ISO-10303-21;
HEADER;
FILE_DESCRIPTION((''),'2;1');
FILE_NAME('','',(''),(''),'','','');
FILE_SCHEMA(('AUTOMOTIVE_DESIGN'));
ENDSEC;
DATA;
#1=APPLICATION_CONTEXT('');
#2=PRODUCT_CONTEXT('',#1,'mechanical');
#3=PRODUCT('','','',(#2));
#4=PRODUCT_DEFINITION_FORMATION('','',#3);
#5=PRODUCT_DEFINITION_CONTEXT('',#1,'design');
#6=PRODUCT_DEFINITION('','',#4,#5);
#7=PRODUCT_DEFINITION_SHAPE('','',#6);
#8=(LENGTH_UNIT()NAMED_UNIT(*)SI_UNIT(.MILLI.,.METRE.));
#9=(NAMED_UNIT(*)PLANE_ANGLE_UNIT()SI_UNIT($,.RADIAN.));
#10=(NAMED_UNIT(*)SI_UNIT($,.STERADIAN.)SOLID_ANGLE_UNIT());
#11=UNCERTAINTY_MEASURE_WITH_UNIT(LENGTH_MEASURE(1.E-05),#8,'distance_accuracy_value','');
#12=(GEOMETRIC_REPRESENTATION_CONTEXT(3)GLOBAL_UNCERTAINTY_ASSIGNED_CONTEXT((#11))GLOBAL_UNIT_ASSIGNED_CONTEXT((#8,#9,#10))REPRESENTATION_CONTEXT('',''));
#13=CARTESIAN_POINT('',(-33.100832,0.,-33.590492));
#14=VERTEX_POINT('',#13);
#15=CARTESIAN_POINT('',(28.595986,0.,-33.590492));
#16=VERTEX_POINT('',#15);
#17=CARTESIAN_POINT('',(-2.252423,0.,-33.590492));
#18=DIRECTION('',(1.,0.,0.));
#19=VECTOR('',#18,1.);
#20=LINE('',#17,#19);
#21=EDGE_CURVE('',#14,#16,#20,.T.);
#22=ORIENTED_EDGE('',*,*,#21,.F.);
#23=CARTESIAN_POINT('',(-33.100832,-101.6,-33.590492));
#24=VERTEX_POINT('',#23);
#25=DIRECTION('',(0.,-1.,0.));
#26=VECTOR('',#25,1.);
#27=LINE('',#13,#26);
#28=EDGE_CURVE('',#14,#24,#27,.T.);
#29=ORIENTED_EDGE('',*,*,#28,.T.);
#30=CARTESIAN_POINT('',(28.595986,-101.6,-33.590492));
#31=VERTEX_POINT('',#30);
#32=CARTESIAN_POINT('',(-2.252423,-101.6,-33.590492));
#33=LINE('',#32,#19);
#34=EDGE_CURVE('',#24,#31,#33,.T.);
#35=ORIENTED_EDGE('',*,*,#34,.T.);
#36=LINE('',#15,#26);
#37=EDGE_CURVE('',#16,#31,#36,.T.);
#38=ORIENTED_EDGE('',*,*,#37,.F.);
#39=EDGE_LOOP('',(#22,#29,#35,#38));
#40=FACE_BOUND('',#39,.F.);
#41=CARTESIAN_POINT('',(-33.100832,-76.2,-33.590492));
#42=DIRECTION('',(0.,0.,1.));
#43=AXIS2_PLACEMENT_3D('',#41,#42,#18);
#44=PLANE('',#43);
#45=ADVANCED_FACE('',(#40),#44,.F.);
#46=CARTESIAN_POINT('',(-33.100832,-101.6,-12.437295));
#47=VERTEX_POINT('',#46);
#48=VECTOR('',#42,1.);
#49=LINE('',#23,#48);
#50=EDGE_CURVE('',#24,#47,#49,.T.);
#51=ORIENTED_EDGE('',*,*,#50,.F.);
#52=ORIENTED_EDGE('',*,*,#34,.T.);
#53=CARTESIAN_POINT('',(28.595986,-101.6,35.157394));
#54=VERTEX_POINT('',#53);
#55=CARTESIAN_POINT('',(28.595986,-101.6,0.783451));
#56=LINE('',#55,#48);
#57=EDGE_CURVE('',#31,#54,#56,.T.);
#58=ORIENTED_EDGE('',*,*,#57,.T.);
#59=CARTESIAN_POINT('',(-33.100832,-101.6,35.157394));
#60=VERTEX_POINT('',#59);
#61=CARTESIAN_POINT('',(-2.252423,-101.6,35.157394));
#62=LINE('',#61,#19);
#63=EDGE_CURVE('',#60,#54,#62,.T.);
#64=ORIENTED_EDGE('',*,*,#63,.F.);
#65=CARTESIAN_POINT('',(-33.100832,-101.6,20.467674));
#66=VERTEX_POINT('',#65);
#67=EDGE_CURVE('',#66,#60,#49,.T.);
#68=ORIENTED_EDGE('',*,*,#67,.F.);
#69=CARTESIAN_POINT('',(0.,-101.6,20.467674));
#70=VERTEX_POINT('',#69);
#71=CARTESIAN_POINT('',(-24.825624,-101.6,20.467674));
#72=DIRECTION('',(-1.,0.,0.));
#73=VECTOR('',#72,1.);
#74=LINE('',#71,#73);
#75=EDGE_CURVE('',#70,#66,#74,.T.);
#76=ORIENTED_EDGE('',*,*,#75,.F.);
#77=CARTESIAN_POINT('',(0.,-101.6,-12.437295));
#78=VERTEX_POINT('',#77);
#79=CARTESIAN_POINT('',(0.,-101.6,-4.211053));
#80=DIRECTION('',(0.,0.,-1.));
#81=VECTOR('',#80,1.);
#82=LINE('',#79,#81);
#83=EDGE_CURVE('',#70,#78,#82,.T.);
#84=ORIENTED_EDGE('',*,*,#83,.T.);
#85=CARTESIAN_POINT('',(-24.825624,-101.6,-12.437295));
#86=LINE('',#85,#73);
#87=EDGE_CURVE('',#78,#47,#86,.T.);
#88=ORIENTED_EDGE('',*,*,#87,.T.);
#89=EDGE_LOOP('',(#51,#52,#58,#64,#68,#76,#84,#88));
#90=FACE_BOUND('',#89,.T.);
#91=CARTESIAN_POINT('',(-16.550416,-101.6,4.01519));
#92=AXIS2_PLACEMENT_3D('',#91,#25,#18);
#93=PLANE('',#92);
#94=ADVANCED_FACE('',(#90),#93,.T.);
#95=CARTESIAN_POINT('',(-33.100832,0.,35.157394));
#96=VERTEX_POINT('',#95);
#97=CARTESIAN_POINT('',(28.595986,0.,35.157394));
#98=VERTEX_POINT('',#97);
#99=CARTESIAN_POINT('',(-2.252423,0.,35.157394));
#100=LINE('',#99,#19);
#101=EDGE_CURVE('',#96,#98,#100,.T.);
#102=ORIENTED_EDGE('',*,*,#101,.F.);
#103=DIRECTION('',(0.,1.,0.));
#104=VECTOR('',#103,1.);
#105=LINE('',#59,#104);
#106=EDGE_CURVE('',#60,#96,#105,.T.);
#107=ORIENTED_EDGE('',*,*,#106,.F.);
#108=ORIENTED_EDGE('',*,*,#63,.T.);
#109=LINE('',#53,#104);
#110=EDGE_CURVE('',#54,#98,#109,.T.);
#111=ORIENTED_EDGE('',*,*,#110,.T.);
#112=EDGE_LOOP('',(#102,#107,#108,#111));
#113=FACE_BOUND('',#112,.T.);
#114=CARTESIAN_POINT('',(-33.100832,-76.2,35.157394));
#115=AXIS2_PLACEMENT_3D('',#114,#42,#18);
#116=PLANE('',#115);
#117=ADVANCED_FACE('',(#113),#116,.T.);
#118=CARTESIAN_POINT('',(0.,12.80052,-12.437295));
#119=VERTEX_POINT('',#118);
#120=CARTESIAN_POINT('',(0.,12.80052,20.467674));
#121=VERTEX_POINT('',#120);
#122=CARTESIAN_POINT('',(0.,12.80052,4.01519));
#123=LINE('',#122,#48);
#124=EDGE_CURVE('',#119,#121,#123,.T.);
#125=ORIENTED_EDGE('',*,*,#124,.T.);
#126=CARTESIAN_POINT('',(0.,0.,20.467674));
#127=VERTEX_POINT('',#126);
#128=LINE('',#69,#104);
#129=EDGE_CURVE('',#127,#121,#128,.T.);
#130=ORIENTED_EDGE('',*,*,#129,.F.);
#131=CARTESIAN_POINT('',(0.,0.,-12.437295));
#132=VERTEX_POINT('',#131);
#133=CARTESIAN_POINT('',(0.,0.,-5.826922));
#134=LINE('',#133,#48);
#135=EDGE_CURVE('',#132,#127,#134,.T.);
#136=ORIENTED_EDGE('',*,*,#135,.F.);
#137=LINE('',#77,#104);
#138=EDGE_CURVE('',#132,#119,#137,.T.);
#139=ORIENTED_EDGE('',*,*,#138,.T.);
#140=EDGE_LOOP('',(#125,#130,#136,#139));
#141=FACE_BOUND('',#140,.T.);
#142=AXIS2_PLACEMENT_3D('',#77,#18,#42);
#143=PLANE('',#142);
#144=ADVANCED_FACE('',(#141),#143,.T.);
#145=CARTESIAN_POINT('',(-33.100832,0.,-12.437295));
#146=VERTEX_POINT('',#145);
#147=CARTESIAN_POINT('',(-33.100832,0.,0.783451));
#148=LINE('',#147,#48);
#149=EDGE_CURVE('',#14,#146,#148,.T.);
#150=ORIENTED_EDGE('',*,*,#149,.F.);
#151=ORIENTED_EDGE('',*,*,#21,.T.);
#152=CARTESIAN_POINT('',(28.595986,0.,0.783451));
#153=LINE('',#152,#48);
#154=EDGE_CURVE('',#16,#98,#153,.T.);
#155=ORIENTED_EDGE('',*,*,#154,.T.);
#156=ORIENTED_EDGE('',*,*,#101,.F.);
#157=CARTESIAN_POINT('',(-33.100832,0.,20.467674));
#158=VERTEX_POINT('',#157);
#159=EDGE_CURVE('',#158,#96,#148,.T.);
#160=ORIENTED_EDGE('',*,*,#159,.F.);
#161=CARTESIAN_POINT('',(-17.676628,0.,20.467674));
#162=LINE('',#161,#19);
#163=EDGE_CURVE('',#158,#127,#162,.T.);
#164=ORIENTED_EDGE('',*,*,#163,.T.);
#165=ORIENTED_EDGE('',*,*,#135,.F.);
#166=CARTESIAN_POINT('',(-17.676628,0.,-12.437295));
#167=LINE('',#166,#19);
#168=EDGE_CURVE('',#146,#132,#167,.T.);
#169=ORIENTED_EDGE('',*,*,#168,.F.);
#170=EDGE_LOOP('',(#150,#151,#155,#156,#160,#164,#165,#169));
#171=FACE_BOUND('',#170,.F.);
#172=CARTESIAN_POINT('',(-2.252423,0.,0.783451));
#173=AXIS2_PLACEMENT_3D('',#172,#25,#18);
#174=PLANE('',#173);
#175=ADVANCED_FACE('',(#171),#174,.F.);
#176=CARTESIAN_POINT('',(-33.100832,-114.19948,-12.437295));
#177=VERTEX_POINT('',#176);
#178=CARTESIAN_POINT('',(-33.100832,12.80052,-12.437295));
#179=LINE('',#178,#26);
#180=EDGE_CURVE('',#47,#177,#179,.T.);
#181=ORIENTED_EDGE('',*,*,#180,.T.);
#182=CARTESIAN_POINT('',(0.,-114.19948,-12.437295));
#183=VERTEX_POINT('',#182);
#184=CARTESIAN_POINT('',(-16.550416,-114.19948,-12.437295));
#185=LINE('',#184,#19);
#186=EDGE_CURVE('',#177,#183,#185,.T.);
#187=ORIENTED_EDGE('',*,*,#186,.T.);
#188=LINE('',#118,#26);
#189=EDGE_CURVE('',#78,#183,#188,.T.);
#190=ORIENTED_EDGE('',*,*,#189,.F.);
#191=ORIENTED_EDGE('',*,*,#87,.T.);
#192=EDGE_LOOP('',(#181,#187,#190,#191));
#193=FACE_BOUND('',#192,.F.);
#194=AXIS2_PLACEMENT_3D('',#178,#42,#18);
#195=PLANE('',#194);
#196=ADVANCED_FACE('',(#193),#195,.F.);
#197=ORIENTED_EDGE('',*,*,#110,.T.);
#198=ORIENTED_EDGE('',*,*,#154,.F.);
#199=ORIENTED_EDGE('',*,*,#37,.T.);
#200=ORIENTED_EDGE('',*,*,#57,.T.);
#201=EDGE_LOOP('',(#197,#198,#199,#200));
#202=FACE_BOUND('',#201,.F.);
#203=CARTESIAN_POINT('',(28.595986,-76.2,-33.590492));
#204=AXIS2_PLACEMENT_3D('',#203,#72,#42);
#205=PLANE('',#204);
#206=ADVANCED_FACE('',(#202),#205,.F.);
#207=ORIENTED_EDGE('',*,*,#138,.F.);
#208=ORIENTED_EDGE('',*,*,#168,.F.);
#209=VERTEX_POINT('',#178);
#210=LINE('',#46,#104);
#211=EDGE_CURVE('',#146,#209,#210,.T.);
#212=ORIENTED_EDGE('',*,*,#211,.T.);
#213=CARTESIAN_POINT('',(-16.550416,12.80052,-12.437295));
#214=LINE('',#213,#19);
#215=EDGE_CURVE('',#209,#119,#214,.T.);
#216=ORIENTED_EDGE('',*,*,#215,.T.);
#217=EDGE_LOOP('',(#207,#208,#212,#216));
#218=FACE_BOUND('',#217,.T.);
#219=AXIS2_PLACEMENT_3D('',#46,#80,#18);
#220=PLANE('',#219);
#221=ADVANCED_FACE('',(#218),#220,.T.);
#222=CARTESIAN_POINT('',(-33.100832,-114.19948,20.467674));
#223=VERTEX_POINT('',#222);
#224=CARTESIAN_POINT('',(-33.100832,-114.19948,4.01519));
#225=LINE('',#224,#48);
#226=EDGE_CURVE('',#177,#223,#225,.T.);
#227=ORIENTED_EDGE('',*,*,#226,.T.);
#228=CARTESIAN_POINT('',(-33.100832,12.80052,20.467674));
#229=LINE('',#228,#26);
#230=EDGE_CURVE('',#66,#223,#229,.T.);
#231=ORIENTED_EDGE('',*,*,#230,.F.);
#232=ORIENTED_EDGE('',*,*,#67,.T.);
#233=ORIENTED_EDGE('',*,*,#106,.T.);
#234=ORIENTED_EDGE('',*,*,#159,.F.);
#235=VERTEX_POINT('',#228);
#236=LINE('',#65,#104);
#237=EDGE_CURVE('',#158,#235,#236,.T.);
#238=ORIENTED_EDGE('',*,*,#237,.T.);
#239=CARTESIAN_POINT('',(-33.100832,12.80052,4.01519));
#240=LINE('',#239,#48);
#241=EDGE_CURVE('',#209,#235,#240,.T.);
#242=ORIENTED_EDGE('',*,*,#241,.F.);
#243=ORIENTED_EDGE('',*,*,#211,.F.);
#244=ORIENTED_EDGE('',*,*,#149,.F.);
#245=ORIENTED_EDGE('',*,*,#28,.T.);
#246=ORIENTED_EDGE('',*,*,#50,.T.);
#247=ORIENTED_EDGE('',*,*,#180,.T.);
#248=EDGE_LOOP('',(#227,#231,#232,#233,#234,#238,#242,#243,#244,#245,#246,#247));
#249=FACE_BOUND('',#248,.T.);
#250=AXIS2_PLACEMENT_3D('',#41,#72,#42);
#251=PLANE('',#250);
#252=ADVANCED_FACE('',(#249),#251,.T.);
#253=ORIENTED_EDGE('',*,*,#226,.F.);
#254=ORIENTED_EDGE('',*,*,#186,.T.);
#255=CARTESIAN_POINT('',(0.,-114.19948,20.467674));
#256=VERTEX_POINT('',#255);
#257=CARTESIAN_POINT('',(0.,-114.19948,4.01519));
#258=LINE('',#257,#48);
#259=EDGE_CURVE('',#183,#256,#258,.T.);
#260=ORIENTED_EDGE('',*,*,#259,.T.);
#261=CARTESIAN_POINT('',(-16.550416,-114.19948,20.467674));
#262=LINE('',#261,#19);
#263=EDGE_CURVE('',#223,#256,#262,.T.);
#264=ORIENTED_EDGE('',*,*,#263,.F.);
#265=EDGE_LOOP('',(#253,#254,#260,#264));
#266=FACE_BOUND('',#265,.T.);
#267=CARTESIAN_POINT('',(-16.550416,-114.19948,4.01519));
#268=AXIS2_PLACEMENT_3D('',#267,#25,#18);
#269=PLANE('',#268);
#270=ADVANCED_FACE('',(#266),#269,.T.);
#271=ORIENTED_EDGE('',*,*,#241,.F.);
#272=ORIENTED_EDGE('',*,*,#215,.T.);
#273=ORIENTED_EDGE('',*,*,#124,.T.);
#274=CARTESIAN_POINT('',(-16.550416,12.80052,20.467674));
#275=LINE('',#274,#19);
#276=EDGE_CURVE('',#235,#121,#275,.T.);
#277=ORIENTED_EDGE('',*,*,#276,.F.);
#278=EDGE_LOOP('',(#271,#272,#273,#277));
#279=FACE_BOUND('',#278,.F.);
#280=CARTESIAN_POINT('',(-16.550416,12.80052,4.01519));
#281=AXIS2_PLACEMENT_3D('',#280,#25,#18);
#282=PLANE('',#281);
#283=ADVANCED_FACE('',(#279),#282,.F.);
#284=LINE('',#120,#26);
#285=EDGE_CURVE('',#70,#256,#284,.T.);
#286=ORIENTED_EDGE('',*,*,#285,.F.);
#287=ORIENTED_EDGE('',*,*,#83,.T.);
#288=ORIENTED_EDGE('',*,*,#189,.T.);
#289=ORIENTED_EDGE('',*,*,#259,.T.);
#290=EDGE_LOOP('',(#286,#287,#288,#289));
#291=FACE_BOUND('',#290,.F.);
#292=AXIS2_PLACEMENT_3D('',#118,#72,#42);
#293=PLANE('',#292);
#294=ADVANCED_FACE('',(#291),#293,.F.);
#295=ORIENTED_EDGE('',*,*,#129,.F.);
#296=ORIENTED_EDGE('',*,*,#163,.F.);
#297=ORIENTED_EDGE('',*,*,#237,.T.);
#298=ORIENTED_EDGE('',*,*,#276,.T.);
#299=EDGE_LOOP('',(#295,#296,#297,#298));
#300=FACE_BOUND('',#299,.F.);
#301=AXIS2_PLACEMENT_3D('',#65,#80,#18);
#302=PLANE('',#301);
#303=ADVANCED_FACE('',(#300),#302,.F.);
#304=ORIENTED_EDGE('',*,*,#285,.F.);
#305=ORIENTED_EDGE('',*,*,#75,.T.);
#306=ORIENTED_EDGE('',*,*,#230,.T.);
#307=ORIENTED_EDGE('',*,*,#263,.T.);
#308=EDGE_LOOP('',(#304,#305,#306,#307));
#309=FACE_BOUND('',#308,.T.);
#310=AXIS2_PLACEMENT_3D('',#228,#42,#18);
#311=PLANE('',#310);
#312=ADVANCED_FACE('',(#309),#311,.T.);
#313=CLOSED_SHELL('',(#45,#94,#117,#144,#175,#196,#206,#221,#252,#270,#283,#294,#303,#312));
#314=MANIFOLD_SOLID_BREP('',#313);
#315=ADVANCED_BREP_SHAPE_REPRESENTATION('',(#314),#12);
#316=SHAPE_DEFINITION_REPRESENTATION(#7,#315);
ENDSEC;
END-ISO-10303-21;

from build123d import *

# Parameters (mm, degrees)
F0_W     = 61.6968180984
F0_H     = 68.7478855252
F1_DEPTH = 50.8
F2_DEPTH = 25.4
F3_DEPTH = 25.4
F5_W     = 33.1008322537
F5_H     = 32.9049695283
F6_DEPTH = 114.40052
F7_DEPTH = 76.93265
F8_DEPTH = 127
F9_DEPTH = 80.68794


with BuildPart() as f1:
    # F0 (on Front) → F1 (new body)
    with BuildSketch(Plane.XZ):
        with Locations((-2.2524232045, 0.7834509015)):
            Rectangle(F0_W, F0_H)
    extrude(amount=F1_DEPTH)

    # F2 (add): faces of the model
    f2_faces = [f1.faces().sort_by_distance(p)[0] for p in [
        (-2.2524232045, -50.8, 0.7834509015),
        (-2.2524232045, 0, 0.7834509015),
    ]]
    extrude(f2_faces, amount=F2_DEPTH, dir=(0, -1, 0))

    # F3 (add): a face of the model
    f3_faces = [f1.faces().sort_by_distance(p)[0] for p in [
        (-2.2524232045, -76.2, 0.7834509015),
    ]]
    extrude(f3_faces, amount=F3_DEPTH)

    # F5 (on face) → F6 (join)
    with BuildSketch(Plane.XZ.offset(101.6)):
        with Locations((-16.5504161268, 4.0151895955)):
            Rectangle(F5_W, F5_H)
    extrude(amount=-F6_DEPTH)

    # F7 (add): a face of the model
    f7_faces = [f1.faces().sort_by_distance(p)[0] for p in [
        (-16.5504161268, 12.80052, 4.0151895955),
    ]]
    extrude(f7_faces, amount=-F7_DEPTH)

    # F8 (add): a face of the model
    f8_faces = [f1.faces().sort_by_distance(p)[0] for p in [
        (-16.5504161268, 12.80052, 4.0151895955),
    ]]
    extrude(f8_faces, amount=-F8_DEPTH)

    # F9 (add): a face of the model
    f9_faces = [f1.faces().sort_by_distance(p)[0] for p in [
        (-16.5504161268, -114.19948, 4.0151895955),
    ]]
    extrude(f9_faces, amount=-F9_DEPTH)


solid = f1.part
